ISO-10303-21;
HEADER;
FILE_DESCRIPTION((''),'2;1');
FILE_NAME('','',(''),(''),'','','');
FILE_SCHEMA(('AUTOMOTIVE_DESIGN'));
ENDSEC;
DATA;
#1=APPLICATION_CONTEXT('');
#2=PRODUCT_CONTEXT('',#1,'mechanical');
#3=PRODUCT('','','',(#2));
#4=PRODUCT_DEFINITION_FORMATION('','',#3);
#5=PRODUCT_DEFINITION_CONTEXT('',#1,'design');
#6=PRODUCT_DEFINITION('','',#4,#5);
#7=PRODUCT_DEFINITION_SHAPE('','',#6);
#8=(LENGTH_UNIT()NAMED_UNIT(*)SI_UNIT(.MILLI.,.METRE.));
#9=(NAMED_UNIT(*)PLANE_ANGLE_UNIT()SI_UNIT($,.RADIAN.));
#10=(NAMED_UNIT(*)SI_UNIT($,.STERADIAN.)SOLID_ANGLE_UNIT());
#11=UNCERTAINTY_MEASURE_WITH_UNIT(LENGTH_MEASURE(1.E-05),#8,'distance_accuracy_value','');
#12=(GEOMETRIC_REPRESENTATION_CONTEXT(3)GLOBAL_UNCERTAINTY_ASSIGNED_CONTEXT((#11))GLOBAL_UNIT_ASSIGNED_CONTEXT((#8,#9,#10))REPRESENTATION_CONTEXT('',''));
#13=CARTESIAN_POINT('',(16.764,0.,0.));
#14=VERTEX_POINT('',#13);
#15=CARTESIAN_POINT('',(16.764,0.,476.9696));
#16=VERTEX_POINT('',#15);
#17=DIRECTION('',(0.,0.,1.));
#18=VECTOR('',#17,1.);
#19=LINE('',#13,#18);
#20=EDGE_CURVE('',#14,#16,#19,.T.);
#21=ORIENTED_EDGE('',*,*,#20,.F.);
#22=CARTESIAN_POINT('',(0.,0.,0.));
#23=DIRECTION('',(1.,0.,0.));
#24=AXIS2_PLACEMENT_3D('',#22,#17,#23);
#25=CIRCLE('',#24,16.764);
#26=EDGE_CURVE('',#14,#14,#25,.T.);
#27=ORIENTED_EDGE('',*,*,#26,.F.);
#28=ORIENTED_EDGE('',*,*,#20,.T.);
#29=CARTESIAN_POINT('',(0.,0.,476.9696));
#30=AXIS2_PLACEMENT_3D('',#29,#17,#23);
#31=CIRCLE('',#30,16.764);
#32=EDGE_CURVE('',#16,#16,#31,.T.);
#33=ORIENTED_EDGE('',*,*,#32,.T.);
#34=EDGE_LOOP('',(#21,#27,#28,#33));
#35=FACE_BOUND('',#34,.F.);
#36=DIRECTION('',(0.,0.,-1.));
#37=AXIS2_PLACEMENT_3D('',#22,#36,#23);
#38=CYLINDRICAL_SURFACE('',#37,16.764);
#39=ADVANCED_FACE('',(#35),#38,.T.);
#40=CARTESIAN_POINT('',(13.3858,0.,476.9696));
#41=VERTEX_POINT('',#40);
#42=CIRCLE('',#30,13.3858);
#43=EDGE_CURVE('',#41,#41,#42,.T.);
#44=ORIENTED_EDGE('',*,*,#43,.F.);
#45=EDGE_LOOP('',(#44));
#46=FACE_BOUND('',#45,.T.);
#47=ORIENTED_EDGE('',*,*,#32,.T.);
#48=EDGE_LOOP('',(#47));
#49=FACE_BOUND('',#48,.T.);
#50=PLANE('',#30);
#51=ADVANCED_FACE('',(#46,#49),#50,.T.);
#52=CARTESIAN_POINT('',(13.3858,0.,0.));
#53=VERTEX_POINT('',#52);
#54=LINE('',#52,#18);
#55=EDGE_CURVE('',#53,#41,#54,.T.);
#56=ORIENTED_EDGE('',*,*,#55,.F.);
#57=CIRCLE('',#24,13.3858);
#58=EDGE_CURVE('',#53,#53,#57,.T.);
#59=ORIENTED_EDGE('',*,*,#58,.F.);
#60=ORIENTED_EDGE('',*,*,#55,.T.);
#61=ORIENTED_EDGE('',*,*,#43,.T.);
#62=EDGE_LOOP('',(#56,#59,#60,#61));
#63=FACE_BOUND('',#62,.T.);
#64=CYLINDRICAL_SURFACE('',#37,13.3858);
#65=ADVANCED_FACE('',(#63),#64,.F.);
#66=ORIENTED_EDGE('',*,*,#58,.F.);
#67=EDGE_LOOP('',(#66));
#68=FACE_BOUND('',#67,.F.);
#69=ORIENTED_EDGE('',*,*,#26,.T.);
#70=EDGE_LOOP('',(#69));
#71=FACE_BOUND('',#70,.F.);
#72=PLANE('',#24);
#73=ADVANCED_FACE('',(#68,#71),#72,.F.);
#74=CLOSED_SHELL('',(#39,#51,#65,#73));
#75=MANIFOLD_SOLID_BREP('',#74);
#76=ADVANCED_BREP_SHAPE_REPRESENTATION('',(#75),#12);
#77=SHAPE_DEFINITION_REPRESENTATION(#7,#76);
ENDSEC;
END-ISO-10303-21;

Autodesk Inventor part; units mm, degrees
ref_plane "YZ Plane" through (0, 0, 0) normal (1, 0, 0) x (0, 1, 0)
ref_plane "Start plane" through (0, 0, 0) normal (0, 0, 1) x (1, 0, 0)
ref_plane "End plane" through (0, 0, 476.9696) normal (0, 0, 1) x (1, 0, 0)
sketch "Sketch" plane through (0, 0, 0) normal (0, 0, 1) x (1, 0, 0)
  circle A0 centre (0, 0) radius 13.3858
  circle A1 centre (0, 0) radius 16.764
  dimension "d0" = 33.528
  dimension "d1" = 3.3782
extrude "Body" add sketch "Sketch" along normal up to surface (476.9696 mm away) from surface at 0
sketch "Sketch3" plane through (0, 0, 0) normal (0, 0, 1) x (1, 0, 0)
  line L0 (0, 0) -> (10, 0)
ref_plane "Work Plane3" through (0, 0, 0) normal (0, -1, 0) x (1, 0, 0)
sketch "Sketch4" plane through (0, 0, 0) normal (0, -1, 0) x (1, 0, 0)
  line L0 (-2, 0) -> (12, 0) projected
  line L1 (-2, 476.9696) -> (12, 476.9696) projected
  dimension "d7" = 476.9696
equation "\"d0\" = G_H"
equation "\"d1\" = G_T"
equation "\"d2\" = G_L"
equation "\"G_H\" = 33.528"
equation "\"G_T\" = 3.3782"
equation "\"G_L\" = d7"
equation "\"G_OFFSET_START\" = 0"
equation "\"G_OFFSET_END\" = 0"
equation "\"d5\" = G_OFFSET_END + B_L"
equation "\"B_L\" = 476.9696"
properties part number "ANSI - 1 x 0.133 - 18.778" material "Steel, Mild"
